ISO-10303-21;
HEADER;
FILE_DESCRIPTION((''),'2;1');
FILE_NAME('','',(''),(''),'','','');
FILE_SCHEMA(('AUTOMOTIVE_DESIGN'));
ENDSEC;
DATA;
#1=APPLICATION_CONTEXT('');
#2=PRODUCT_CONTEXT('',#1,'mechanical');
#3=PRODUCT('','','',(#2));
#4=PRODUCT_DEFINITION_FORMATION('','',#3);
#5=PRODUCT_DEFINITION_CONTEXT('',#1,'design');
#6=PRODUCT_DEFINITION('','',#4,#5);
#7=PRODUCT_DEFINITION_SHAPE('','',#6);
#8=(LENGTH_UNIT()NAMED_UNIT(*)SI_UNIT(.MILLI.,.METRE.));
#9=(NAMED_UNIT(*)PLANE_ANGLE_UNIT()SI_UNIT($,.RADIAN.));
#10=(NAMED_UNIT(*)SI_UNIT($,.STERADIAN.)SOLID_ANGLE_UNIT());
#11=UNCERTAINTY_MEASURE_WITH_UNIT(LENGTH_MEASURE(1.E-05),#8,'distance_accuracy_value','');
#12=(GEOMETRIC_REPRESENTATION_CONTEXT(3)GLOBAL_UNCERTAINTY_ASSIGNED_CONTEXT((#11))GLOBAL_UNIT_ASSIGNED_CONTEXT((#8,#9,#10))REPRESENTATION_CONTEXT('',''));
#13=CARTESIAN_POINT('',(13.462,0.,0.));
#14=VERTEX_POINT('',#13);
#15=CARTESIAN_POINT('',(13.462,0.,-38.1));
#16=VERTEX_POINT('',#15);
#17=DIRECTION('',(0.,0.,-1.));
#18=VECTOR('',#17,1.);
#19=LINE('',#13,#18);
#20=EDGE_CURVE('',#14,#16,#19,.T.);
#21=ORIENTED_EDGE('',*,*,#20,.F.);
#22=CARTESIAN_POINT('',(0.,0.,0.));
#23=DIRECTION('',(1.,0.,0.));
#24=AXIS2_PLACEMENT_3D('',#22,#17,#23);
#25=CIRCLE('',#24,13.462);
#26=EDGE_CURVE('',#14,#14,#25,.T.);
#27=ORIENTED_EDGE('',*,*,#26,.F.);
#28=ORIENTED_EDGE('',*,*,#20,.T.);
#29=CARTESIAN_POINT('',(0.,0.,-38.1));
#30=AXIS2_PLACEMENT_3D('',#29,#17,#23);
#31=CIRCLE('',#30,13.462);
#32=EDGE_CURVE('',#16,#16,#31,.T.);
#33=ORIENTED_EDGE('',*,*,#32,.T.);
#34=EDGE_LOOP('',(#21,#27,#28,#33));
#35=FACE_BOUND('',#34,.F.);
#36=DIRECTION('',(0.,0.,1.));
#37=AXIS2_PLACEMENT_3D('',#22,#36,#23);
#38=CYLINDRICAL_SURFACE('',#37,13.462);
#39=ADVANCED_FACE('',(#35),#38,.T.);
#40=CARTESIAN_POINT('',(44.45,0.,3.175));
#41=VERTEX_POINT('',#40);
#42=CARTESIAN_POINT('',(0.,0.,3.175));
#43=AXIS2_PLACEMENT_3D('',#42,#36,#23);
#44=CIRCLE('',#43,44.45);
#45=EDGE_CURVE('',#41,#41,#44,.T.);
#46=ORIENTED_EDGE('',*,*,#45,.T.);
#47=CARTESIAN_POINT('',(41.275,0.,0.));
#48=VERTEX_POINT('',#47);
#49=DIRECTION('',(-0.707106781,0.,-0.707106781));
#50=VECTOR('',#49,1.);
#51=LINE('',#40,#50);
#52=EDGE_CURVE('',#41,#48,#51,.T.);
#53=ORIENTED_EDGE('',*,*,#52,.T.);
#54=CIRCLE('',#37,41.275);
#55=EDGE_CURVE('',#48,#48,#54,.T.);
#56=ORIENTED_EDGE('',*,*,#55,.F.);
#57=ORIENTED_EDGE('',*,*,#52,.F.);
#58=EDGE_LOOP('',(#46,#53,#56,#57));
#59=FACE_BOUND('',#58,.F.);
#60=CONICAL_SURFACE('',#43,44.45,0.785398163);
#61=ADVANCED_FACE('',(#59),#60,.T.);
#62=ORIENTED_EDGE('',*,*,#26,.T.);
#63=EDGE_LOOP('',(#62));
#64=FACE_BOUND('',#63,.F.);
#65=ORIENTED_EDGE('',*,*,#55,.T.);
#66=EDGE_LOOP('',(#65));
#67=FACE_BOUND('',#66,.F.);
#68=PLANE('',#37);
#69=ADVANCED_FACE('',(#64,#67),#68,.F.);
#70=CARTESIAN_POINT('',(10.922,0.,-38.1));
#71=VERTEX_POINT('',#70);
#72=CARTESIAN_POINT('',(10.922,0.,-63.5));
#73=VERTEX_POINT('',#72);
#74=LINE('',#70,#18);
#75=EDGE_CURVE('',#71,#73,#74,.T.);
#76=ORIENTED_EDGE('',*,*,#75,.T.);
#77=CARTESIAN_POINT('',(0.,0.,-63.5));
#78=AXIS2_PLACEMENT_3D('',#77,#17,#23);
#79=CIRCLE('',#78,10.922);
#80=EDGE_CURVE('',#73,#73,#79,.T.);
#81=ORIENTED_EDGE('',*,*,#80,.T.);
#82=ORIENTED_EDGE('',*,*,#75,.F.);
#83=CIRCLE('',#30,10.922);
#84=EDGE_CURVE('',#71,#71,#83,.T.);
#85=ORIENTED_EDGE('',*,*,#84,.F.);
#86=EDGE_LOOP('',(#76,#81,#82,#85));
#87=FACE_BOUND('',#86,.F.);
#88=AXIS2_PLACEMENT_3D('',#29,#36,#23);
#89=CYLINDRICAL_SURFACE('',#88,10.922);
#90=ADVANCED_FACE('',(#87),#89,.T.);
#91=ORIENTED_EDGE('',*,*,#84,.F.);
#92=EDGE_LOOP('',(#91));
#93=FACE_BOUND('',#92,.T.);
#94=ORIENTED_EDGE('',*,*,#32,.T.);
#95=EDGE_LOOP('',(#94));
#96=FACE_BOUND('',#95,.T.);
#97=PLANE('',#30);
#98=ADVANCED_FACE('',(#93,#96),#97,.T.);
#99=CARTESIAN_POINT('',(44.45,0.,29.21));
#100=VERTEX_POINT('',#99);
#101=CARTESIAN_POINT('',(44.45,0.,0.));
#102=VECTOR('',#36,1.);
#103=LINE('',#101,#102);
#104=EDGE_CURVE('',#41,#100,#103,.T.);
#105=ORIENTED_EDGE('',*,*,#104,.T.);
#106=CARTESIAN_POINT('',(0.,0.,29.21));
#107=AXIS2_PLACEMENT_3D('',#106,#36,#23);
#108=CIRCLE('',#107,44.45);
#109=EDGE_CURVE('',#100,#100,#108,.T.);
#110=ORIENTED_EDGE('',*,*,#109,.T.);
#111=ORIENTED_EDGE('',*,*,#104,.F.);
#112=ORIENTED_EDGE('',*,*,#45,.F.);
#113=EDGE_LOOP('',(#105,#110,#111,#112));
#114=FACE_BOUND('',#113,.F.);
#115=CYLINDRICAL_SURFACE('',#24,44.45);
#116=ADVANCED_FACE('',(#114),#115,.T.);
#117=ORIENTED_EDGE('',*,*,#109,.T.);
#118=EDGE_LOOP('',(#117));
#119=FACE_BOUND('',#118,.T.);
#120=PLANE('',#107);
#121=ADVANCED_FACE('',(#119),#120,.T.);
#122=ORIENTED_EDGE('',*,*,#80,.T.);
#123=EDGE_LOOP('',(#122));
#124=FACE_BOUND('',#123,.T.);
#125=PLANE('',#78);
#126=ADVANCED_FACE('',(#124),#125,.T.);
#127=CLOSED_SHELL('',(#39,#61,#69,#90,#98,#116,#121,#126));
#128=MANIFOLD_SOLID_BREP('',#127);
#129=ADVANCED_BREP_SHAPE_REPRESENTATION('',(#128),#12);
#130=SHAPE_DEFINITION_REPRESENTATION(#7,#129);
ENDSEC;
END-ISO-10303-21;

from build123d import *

# Parameters (mm, degrees)
F0_R     = 44.45
F1_DEPTH = 29.21
F2_SIZE  = 3.175
F3_R     = 13.462
F4_DEPTH = 38.1
F5_R     = 10.922
F6_DEPTH = 25.4


with BuildPart() as f1:
    # F0 (on Top) → F1 (new body)
    with BuildSketch(Plane.XY):
        Circle(F0_R)
    extrude(amount=F1_DEPTH)

    # F2
    f2_edges = [f1.edges().sort_by_distance(p)[0] for p in [
        (-44.45, 0, 0),
    ]]
    chamfer(f2_edges, length=F2_SIZE)

    # F3 (on face) → F4 (join)
    with BuildSketch(Plane(origin=(0, 0, 0), x_dir=(1, 0, 0), z_dir=(0, 0, -1))):
        Circle(F3_R)
    extrude(amount=F4_DEPTH)

    # F5 (on face) → F6 (join)
    with BuildSketch(Plane(origin=(0, 0, -38.1), x_dir=(1, 0, 0), z_dir=(0, 0, -1))):
        Circle(F5_R)
    extrude(amount=F6_DEPTH)


solid = f1.part
